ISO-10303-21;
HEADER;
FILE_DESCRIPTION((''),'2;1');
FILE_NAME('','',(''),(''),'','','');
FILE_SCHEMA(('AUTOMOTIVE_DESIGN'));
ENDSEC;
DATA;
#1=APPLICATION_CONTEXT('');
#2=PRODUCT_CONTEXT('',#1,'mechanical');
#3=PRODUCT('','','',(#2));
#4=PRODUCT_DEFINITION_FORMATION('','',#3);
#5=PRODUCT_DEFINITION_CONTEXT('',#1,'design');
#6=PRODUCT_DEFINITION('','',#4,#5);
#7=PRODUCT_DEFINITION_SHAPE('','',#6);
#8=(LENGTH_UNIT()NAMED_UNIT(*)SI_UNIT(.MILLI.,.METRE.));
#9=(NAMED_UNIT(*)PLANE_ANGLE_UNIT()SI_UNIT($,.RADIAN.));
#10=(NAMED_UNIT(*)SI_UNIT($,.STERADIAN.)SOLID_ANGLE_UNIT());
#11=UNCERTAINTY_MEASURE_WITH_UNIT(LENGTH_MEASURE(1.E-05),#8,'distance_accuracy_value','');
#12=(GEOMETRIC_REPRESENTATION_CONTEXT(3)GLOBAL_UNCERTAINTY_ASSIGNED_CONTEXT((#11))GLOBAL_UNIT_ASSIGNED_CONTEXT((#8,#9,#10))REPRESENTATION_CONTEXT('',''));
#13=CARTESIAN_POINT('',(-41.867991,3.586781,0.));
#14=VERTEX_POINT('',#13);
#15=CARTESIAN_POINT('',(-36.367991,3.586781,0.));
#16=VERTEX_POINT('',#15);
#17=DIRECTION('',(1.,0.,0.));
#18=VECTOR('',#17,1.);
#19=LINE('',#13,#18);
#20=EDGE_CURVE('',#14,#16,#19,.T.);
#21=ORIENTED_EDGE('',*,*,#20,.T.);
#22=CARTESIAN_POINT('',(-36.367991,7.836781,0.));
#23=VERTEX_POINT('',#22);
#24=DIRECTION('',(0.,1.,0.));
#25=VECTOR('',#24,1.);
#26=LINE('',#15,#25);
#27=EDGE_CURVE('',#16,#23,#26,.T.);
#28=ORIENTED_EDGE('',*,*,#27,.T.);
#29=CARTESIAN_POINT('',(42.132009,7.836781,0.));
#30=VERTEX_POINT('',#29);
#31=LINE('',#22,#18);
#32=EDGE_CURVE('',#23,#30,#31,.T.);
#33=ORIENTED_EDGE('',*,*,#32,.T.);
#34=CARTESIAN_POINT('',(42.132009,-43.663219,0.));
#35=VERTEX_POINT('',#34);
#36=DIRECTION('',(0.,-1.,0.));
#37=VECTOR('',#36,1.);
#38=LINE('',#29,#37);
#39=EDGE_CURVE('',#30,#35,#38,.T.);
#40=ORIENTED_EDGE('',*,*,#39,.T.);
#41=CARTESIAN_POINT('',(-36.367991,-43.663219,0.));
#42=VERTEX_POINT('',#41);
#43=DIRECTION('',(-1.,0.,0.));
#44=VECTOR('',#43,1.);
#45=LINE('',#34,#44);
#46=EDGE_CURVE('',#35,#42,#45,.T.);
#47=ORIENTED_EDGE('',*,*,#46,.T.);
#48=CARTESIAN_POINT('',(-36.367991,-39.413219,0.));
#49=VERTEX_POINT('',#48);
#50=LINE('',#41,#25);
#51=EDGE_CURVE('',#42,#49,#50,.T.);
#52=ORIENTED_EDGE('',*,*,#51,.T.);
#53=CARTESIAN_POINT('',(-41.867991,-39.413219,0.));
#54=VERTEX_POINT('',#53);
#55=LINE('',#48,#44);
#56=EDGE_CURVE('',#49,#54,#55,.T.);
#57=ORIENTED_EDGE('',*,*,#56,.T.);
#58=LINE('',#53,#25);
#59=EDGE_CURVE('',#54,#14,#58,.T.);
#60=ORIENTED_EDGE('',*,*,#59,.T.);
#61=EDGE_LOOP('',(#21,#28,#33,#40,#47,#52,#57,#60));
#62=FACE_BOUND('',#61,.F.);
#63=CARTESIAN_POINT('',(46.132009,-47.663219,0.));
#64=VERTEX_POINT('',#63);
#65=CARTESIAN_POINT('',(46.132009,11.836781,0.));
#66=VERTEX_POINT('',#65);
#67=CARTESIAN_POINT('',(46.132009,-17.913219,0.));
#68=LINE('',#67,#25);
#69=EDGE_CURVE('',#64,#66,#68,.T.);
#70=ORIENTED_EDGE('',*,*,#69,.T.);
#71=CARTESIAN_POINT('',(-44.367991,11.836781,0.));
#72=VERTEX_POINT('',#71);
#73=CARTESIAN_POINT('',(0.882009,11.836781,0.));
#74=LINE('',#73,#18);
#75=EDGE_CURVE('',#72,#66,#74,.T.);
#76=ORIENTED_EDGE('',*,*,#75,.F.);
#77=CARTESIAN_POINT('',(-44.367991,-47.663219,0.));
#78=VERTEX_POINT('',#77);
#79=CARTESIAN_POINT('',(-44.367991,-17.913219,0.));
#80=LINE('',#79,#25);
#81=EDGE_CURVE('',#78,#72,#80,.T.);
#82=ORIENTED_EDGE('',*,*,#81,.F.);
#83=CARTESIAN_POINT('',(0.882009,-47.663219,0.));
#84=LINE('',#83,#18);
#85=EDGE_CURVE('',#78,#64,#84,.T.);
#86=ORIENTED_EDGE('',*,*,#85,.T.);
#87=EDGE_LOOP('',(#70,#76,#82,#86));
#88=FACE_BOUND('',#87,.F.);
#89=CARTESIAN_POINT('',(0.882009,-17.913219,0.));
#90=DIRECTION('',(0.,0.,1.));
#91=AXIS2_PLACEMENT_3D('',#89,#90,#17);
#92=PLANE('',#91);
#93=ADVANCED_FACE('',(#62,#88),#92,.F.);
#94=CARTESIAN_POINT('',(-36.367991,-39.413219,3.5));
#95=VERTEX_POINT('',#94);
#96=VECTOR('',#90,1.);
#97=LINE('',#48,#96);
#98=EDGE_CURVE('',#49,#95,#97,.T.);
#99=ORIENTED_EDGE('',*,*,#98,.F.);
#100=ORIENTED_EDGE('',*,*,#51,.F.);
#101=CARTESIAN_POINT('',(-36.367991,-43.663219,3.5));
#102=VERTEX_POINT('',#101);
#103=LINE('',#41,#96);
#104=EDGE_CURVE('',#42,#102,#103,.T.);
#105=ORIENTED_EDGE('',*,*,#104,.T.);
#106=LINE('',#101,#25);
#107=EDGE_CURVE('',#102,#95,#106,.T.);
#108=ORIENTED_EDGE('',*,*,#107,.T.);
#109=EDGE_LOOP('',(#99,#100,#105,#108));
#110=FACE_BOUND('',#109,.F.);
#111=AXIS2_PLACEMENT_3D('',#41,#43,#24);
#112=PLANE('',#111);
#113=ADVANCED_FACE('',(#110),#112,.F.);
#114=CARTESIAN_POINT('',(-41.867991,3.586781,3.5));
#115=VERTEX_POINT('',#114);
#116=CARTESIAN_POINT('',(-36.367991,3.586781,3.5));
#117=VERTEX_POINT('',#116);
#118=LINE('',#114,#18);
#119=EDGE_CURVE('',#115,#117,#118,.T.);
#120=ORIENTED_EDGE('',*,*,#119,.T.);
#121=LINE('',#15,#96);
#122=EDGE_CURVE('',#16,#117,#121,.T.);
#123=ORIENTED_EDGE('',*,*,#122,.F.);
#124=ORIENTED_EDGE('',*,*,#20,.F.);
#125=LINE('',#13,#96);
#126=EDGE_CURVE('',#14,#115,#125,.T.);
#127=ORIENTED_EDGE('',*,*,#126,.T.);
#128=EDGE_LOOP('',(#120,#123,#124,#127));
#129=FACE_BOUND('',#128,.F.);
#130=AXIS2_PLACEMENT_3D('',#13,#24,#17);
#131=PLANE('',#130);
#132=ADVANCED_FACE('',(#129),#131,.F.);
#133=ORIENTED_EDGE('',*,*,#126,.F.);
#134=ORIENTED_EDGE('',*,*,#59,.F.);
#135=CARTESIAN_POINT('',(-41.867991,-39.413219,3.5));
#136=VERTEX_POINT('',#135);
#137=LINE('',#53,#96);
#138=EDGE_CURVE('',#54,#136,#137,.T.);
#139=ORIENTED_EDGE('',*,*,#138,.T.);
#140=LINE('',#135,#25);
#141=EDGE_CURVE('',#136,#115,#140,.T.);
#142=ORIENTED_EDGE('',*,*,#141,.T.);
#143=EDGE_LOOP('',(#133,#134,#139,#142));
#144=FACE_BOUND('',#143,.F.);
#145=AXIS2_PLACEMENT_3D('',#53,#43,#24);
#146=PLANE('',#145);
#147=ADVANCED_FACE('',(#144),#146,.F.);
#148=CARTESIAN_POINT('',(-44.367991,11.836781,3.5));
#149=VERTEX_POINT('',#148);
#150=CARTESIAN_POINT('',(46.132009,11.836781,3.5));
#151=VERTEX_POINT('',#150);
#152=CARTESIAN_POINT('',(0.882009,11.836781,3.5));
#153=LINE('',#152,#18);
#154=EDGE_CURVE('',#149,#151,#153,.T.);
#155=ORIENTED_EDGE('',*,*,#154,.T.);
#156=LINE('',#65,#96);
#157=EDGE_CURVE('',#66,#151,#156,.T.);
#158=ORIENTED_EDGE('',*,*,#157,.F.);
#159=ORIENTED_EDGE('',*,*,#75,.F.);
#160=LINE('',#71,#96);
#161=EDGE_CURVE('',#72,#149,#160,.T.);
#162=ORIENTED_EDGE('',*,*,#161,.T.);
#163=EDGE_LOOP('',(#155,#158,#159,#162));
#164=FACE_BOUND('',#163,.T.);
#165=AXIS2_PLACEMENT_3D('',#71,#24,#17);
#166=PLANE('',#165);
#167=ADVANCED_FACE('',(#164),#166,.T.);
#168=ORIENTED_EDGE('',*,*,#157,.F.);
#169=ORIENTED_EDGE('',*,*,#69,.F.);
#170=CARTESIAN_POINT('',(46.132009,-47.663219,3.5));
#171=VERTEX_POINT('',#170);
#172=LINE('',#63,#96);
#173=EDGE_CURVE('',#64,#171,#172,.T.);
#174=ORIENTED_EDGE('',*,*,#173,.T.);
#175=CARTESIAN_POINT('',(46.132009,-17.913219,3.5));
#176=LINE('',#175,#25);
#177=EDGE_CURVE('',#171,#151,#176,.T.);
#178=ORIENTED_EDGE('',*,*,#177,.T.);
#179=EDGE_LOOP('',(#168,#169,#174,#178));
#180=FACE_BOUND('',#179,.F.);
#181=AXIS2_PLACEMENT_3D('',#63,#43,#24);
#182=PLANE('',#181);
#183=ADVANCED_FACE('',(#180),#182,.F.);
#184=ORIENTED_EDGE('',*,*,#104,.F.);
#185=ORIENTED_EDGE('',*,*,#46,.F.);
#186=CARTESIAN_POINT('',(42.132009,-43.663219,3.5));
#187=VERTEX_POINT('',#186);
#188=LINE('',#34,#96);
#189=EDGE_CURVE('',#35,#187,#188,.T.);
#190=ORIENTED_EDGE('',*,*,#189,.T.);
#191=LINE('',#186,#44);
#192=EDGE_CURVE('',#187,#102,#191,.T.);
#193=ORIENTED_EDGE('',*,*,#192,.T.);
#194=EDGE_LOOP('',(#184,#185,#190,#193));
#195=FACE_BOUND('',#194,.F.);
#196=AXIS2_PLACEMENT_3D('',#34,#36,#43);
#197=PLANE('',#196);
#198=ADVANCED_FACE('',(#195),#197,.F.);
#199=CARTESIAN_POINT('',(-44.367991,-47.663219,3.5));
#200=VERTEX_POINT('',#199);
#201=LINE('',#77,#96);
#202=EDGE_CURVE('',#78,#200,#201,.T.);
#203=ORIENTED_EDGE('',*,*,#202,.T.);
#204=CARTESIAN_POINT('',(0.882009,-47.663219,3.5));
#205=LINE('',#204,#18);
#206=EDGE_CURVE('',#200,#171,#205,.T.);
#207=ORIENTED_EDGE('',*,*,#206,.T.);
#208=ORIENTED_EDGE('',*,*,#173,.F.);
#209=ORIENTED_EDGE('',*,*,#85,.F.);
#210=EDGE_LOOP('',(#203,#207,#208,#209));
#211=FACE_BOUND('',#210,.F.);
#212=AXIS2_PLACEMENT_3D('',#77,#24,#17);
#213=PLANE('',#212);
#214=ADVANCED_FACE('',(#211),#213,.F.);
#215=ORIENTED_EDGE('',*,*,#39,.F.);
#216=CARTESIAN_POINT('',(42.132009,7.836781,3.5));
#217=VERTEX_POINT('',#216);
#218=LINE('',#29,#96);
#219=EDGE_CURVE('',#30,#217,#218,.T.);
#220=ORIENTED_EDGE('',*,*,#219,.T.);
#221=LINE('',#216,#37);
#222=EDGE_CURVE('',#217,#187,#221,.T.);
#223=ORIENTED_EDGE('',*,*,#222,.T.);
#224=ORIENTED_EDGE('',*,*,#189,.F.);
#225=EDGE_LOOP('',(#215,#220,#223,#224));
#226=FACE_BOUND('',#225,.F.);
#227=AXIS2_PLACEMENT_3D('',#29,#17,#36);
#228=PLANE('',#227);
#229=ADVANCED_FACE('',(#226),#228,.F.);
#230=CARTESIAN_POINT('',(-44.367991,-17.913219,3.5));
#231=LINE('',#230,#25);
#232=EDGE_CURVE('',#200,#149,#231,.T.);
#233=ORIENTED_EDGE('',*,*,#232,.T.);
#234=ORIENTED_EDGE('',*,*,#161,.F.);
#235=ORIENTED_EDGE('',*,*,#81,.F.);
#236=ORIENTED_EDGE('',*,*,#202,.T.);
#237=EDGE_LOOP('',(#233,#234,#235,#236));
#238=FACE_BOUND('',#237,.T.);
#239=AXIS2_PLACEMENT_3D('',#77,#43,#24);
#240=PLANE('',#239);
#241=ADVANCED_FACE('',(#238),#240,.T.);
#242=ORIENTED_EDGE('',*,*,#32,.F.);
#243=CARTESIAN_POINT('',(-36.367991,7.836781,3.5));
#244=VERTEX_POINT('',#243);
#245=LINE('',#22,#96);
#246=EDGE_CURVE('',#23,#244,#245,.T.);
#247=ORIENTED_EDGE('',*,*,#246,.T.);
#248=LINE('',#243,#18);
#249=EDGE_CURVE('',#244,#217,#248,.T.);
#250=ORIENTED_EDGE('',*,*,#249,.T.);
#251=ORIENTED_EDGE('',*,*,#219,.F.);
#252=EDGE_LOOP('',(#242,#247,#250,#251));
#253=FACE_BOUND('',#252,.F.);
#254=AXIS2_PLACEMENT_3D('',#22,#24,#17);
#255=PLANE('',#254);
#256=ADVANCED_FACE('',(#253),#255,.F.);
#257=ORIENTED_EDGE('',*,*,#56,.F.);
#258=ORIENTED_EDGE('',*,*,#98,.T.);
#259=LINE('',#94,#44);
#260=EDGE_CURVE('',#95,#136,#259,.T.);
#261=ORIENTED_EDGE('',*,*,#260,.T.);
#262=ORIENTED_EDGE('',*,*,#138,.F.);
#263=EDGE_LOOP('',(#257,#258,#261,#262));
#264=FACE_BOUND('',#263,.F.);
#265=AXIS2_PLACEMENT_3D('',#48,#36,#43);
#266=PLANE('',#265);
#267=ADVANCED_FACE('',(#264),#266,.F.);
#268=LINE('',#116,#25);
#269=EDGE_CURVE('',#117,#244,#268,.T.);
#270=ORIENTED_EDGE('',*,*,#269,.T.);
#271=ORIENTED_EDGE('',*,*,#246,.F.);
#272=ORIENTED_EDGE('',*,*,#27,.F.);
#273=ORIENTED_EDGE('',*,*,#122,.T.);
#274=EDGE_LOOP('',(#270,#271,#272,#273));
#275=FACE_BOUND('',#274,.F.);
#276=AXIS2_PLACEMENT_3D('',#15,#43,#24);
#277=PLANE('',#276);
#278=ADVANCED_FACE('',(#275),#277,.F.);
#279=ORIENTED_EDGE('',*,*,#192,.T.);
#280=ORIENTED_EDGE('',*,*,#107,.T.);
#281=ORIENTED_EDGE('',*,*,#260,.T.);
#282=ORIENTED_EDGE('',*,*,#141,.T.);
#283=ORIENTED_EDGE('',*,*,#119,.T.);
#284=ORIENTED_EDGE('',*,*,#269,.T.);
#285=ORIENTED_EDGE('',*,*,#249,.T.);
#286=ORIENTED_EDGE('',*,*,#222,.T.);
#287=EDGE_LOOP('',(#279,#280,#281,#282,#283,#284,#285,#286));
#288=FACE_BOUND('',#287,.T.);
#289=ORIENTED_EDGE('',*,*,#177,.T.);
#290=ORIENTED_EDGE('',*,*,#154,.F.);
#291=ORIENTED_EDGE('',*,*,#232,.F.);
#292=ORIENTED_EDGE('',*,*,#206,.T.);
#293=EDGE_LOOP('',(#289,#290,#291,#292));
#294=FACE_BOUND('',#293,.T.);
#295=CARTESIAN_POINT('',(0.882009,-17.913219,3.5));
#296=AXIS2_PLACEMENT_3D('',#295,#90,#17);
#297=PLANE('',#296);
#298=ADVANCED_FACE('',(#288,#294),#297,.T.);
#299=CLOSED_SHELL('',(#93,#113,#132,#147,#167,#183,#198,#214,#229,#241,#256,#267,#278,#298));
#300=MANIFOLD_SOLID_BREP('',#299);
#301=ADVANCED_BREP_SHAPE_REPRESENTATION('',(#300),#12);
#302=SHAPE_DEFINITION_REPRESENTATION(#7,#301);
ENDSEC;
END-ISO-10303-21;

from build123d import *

# Parameters (mm, degrees)
F0_W     = 90.5
F0_H     = 59.5
F1_DEPTH = 3.5


with BuildPart() as f1:
    # F0 (on Top) → F1 (new body)
    with BuildSketch(Plane.XY):
        with Locations((0.882009, -17.913219)):
            Rectangle(F0_W, F0_H)
        Polygon((-41.867991, -39.413219), (-41.867991, 3.586781), (-36.367991, 3.586781), (-36.367991, 7.836781), (42.132009, 7.836781), (42.132009, -43.663219), (-36.367991, -43.663219), (-36.367991, -39.413219), align=None, mode=Mode.SUBTRACT)
    extrude(amount=F1_DEPTH)


solid = f1.part
